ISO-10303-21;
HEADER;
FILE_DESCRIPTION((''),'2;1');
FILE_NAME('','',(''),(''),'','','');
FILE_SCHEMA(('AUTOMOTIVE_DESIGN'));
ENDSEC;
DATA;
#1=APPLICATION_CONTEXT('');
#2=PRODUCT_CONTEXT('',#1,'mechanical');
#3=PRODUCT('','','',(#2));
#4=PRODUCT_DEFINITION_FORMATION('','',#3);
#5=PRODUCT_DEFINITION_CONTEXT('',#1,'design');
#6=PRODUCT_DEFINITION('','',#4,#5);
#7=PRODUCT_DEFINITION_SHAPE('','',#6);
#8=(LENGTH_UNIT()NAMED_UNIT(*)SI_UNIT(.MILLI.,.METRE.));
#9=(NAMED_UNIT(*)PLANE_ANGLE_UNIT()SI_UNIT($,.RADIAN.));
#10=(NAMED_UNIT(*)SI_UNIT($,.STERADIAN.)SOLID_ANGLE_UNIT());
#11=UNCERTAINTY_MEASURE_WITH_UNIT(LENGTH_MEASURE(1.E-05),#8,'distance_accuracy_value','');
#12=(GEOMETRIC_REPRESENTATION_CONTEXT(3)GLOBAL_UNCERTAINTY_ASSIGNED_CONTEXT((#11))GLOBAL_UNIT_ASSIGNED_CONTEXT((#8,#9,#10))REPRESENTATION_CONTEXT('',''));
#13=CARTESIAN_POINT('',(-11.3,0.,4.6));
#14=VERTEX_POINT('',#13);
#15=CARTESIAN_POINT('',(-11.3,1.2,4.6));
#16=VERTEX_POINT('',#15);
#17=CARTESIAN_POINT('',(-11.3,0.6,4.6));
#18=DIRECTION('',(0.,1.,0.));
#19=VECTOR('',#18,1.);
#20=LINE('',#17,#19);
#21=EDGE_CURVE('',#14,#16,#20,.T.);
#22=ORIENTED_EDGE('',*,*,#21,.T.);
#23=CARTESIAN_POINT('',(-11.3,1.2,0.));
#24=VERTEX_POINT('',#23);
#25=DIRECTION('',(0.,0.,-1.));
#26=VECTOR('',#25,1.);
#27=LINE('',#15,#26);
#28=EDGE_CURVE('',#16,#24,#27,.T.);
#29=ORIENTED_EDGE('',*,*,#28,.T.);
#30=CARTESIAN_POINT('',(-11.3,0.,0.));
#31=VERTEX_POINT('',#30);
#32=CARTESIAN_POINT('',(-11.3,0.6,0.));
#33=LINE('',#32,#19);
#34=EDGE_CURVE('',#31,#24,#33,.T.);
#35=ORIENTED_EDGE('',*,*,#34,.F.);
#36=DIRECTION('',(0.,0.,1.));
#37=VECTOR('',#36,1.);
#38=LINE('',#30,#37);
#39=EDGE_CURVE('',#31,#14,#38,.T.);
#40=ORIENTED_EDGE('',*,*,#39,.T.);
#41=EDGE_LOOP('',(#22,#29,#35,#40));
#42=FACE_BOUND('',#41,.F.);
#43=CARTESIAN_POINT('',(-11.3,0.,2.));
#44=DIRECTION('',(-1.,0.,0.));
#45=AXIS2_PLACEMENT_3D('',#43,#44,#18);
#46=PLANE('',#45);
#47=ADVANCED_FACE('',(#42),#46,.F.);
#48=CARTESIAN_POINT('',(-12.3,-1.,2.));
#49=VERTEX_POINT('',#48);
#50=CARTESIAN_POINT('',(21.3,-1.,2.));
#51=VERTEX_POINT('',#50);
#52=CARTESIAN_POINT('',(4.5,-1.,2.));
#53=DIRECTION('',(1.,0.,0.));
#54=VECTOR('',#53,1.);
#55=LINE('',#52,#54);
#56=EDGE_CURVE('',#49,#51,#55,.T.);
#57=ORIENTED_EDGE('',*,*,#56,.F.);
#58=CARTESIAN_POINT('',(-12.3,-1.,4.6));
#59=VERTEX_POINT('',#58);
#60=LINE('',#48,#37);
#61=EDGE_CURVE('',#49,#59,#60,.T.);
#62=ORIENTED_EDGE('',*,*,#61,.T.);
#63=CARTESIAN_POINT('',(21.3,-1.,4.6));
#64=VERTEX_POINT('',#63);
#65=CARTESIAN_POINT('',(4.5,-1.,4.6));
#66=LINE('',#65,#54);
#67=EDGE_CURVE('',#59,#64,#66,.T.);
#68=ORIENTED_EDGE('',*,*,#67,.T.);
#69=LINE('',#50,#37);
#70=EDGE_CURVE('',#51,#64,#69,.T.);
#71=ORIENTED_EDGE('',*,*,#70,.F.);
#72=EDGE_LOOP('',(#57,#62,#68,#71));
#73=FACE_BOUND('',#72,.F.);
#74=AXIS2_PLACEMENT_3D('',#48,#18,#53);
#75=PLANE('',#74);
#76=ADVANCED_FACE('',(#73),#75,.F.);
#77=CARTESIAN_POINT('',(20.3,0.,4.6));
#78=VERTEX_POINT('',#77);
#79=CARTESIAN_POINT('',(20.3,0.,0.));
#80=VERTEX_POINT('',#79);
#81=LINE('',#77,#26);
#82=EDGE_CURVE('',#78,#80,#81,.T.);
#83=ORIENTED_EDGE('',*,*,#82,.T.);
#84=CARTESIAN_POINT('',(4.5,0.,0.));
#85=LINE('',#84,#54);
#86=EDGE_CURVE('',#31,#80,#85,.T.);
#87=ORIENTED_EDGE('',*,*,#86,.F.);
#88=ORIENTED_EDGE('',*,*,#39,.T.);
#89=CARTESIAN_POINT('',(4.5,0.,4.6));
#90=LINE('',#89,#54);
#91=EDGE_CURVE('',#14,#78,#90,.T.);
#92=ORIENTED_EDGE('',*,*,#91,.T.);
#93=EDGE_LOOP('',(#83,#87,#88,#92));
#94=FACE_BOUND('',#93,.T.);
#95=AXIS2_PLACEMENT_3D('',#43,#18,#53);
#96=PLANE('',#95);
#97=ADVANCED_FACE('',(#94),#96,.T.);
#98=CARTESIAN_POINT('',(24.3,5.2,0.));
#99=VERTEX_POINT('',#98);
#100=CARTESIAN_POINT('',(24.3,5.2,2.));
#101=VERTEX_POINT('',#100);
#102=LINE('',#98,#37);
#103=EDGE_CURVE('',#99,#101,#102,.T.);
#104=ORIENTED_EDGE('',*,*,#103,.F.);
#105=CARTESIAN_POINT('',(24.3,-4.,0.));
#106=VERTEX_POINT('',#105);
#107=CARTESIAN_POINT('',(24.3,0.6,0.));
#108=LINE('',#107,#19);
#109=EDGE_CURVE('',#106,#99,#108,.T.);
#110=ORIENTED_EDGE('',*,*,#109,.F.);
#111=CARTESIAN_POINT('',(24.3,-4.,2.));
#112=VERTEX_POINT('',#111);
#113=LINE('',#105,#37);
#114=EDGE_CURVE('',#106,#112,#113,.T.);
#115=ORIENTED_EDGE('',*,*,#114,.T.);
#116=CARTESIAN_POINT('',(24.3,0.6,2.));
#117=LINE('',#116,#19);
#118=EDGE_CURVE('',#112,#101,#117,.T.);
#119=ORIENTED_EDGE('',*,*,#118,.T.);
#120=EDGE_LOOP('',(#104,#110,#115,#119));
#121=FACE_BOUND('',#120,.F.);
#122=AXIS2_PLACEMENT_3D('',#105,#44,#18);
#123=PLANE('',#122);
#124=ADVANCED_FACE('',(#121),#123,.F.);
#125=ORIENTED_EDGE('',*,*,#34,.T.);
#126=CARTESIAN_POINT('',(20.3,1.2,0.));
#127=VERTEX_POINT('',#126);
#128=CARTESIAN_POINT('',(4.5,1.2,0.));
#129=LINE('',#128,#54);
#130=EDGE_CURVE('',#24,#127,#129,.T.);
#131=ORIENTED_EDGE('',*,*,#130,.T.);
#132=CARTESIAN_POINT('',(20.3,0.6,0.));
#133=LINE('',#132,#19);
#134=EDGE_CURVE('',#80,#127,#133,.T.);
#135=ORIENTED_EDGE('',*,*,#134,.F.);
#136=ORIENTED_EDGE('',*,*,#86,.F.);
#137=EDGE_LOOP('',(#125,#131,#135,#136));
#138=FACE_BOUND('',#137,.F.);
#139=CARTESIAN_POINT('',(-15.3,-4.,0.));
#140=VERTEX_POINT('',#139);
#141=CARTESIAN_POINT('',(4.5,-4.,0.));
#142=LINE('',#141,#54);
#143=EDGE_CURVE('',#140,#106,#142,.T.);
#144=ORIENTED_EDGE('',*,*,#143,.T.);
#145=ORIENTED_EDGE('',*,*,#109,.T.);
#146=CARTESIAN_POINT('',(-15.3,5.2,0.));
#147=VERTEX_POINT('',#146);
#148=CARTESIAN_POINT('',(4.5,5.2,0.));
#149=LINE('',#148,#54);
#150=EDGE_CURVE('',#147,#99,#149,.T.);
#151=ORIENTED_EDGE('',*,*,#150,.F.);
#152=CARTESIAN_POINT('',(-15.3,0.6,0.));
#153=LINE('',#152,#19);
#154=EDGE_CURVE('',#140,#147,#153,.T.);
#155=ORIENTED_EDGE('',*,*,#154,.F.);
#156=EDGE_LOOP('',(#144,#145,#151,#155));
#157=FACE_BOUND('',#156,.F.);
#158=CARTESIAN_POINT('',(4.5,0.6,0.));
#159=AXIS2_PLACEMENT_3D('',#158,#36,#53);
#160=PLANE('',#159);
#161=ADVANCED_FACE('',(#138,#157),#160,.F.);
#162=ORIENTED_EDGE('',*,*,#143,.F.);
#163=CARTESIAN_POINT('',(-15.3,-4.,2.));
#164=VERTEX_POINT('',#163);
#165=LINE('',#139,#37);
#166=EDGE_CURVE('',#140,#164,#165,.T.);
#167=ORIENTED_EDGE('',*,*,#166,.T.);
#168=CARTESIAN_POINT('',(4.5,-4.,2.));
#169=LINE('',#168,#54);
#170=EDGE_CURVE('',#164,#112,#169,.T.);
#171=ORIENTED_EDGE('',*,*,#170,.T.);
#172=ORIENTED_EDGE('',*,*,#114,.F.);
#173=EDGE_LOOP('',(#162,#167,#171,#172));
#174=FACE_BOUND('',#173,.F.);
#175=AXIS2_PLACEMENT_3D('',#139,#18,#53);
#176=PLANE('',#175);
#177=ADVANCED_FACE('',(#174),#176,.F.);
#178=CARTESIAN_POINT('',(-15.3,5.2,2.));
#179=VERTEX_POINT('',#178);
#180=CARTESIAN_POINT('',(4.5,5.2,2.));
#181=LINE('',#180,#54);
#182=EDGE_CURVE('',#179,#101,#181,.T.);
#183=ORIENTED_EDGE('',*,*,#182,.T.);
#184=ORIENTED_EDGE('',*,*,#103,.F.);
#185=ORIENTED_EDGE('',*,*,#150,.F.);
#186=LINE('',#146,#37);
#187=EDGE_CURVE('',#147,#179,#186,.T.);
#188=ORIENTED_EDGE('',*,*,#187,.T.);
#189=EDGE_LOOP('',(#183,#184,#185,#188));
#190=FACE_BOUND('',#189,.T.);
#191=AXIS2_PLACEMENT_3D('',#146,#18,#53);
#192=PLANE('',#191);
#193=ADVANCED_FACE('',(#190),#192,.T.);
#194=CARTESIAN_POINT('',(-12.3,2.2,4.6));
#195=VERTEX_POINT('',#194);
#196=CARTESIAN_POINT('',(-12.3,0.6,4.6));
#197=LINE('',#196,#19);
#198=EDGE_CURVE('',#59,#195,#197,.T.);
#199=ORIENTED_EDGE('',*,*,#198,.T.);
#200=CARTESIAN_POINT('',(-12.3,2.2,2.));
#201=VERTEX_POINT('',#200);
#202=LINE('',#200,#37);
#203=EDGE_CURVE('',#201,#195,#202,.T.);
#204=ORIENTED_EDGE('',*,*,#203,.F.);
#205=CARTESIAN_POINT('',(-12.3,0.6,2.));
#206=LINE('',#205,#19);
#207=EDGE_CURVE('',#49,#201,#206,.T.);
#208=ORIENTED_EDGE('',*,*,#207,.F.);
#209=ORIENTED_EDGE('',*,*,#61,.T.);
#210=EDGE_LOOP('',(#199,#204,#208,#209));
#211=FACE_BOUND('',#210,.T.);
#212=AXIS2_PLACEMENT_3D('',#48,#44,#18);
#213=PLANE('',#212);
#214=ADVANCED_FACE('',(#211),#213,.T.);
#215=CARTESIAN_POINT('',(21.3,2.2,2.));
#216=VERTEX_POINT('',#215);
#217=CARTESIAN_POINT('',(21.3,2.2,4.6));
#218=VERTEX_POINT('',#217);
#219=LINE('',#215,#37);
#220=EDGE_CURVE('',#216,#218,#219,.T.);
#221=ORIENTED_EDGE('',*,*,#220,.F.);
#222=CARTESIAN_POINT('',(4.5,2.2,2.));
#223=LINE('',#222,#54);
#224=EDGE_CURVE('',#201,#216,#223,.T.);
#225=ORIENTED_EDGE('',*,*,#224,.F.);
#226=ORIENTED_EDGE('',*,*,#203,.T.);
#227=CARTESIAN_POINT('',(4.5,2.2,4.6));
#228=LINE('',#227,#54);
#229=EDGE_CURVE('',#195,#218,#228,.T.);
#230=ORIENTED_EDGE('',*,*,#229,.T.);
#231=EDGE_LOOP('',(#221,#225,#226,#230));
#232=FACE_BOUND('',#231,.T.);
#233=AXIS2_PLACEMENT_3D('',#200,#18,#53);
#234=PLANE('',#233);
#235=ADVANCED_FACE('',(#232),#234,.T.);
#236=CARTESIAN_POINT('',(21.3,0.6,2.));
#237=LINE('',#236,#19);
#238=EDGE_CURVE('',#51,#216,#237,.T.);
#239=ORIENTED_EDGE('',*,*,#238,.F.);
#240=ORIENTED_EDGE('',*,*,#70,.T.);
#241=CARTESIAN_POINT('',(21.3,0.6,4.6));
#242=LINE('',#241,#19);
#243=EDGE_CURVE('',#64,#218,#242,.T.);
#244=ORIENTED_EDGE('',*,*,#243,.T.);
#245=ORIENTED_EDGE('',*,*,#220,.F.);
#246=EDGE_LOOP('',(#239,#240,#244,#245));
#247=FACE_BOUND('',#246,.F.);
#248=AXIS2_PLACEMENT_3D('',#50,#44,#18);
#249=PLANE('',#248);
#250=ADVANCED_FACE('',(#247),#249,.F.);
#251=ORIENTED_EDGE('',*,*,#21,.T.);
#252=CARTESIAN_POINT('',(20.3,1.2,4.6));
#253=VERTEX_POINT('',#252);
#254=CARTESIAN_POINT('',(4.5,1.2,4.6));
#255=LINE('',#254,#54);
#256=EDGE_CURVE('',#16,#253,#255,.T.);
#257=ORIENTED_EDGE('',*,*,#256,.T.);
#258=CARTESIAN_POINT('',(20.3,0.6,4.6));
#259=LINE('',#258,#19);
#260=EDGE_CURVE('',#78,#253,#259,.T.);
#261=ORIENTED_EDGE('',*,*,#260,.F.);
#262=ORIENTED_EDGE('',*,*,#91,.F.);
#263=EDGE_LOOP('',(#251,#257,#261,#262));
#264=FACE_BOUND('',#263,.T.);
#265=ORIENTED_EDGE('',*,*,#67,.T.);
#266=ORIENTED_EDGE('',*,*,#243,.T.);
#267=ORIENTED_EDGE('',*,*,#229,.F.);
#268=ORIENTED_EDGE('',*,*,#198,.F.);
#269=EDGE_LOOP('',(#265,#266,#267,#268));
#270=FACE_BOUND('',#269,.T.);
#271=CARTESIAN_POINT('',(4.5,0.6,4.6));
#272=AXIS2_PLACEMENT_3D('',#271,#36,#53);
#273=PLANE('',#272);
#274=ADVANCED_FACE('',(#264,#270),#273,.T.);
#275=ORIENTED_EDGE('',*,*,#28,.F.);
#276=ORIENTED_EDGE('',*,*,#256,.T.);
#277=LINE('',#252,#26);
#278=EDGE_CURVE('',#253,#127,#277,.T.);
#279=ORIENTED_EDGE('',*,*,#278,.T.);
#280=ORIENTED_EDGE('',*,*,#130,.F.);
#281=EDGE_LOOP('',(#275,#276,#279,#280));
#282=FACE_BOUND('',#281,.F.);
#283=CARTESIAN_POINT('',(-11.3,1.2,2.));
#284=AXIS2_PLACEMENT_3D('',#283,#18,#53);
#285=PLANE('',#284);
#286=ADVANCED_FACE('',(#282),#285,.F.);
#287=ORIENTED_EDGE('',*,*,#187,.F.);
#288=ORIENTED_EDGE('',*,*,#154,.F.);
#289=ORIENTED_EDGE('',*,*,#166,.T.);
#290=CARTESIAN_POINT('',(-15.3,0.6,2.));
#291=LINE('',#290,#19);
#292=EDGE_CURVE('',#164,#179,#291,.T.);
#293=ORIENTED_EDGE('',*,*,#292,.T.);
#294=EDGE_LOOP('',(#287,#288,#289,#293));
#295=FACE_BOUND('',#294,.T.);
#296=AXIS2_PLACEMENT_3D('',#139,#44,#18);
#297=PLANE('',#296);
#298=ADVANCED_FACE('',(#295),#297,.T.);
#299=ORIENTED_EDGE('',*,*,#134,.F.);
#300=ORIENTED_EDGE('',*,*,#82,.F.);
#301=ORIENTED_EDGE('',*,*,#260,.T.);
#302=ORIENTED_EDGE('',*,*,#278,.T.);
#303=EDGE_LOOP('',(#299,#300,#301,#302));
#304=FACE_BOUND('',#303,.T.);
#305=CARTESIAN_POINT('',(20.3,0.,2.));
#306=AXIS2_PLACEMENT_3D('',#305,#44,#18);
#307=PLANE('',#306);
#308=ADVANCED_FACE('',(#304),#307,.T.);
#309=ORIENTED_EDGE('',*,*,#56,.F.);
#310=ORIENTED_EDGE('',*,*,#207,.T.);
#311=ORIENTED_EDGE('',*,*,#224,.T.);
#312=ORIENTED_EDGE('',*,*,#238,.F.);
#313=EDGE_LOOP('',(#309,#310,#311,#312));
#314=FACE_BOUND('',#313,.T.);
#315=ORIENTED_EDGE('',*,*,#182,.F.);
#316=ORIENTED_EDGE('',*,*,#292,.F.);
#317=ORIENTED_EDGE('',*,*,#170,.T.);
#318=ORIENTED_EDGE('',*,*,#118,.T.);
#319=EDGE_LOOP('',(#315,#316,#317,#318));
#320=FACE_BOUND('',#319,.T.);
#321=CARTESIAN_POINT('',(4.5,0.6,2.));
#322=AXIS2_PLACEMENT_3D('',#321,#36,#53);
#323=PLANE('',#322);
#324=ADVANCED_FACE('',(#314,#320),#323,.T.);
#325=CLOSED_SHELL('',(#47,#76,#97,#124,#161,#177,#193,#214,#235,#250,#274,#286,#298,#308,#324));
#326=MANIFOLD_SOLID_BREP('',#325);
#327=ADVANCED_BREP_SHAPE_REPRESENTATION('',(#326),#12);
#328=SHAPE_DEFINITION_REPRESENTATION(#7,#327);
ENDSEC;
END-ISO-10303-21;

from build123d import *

# Parameters (mm, degrees)
F0_W     = 39.6
F0_H     = 9.2
F0_W_2   = 31.6
F0_H_2   = 1.2
F1_DEPTH = 2
F2_W     = 33.6
F2_H     = 3.2
F2_W_2   = 31.6
F2_H_2   = 1.2
F3_DEPTH = 2.6


with BuildPart() as f1:
    # F0 (on Top) → F1 (new body)
    with BuildSketch(Plane.XY):
        with Locations((4.5, 0.6)):
            Rectangle(F0_W, F0_H)
        with Locations((4.5, 0.6)):
            Rectangle(F0_W_2, F0_H_2, mode=Mode.SUBTRACT)
    extrude(amount=F1_DEPTH)

    # F2 (on face) → F3 (join)
    with BuildSketch(Plane.XY.offset(2)):
        with Locations((4.5, 0.6)):
            Rectangle(F2_W, F2_H)
        with Locations((4.5, 0.6)):
            Rectangle(F2_W_2, F2_H_2, mode=Mode.SUBTRACT)
    extrude(amount=F3_DEPTH)


solid = f1.part
